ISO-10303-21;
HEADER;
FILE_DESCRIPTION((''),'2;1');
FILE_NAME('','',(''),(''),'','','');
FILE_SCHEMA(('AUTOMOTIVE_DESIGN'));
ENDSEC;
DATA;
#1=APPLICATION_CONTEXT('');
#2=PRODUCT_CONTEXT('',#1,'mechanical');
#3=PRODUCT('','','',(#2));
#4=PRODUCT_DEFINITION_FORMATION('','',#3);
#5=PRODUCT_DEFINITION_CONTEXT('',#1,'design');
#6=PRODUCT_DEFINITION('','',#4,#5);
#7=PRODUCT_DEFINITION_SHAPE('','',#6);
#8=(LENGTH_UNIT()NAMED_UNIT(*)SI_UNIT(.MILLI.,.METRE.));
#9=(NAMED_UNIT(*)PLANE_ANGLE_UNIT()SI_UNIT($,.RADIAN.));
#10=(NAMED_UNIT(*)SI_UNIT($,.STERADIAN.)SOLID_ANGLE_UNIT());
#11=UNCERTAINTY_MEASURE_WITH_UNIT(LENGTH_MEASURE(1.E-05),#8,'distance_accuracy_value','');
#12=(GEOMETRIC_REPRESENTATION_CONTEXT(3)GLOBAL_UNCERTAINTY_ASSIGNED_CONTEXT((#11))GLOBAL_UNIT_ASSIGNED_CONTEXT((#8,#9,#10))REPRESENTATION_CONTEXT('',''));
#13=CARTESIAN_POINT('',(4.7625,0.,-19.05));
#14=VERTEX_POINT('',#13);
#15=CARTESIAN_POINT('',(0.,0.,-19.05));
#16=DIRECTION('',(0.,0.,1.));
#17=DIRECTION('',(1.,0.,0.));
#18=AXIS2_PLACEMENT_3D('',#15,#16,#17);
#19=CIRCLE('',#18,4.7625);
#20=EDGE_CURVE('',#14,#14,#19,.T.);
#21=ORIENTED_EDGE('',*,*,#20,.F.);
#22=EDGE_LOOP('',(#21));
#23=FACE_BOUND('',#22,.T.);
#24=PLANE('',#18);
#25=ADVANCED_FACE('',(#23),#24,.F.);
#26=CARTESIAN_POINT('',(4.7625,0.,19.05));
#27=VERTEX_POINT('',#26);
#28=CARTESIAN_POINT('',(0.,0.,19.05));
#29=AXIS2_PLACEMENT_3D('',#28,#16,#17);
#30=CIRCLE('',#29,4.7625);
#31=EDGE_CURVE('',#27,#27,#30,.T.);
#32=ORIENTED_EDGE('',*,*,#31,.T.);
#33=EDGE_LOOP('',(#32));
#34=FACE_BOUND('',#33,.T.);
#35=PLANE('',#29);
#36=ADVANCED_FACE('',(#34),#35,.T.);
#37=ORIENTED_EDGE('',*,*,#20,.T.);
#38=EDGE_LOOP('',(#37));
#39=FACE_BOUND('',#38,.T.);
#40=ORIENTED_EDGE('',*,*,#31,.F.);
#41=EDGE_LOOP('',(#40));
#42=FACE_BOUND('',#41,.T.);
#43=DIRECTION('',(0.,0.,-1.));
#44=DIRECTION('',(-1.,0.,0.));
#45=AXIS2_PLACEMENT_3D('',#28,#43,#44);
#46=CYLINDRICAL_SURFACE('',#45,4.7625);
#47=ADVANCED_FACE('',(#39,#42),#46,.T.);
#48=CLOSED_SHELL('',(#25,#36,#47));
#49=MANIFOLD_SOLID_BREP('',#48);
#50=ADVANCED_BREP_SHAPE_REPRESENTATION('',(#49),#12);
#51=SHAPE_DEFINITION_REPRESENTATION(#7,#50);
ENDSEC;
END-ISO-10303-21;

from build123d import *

# Parameters (mm, degrees)
SKETCH1_R          = 4.7625
BASE_EXTRUDE_DEPTH = 19.05


with BuildPart() as part:
    # Sketch1 → Base-Extrude (new body, symmetric)
    with BuildSketch(Plane.XY):
        Circle(SKETCH1_R)
    extrude(amount=BASE_EXTRUDE_DEPTH, both=True)


solid = part.part
